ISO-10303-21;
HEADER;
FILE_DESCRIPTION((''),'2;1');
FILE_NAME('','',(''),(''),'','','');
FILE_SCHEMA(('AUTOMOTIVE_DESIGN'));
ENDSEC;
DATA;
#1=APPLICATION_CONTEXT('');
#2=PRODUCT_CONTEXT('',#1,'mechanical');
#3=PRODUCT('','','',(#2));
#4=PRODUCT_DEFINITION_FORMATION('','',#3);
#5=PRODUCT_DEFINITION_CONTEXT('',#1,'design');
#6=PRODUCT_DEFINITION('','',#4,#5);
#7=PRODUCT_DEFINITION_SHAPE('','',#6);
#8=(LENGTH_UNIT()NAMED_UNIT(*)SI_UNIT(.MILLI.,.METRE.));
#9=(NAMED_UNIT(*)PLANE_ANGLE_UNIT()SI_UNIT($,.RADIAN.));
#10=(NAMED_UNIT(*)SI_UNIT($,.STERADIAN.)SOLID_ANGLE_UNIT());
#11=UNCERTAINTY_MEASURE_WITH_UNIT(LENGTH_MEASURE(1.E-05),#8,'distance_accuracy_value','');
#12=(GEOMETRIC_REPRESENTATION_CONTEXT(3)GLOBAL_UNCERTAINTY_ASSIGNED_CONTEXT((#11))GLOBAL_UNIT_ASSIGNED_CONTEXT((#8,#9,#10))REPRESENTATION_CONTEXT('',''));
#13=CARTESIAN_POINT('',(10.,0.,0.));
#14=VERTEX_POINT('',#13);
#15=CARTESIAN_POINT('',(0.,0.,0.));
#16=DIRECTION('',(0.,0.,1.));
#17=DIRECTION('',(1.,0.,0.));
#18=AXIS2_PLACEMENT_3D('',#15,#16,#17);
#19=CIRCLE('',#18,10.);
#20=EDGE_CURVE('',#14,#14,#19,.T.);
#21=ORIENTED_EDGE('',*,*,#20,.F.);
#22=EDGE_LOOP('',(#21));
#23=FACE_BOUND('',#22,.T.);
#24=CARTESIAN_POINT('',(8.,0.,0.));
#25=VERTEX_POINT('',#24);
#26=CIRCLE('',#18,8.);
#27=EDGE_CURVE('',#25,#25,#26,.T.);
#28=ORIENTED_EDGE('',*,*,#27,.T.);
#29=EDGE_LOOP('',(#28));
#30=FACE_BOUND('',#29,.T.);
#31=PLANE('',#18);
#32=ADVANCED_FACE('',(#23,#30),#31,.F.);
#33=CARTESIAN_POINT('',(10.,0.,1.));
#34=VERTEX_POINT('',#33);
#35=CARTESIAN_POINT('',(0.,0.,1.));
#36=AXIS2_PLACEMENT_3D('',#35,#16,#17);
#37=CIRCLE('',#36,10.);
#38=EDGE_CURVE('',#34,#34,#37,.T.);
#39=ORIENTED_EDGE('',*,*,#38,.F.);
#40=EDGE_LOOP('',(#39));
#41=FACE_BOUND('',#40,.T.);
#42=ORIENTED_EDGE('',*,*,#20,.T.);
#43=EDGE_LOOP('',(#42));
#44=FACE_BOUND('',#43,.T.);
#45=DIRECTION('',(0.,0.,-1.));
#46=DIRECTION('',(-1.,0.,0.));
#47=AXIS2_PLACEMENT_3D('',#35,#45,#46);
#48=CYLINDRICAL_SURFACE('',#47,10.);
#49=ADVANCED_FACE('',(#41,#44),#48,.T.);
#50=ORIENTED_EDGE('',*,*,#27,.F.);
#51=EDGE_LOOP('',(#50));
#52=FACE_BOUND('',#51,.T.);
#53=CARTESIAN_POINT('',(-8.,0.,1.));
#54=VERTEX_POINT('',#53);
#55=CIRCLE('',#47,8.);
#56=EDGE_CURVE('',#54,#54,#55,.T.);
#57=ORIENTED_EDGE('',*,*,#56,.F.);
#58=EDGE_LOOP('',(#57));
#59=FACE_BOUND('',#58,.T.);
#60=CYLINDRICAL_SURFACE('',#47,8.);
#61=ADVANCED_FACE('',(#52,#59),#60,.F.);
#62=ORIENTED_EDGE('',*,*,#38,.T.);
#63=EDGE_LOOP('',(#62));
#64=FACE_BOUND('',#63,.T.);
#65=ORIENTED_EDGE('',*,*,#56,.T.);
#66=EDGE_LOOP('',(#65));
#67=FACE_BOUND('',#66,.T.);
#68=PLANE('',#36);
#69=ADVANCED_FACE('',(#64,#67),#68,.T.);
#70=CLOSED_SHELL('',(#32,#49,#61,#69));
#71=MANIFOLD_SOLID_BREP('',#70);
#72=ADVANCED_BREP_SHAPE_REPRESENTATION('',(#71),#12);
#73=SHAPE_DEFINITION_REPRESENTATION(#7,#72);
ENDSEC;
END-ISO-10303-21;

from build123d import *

# Parameters (mm, degrees)
SKETCH1_R               = 10
BOSS_EXTRUDE1_DEPTH     = 1
CUT_EXTRUDE1_DEPTH      = 15.177446879
CUT_EXTRUDE1_DEPTH_BACK = 15.177446879
SKETCH2_R               = 8


with BuildPart() as part:
    # Sketch1 → Boss-Extrude1 (new body)
    with BuildSketch(Plane.XY):
        Circle(SKETCH1_R)
    extrude(amount=BOSS_EXTRUDE1_DEPTH)

    # Sketch2 → Cut-Extrude1 (cut, two sides: drawn at the far end of the back side and taken through both)
    with BuildSketch(Plane(origin=(0, 0, 0), x_dir=(-1, 0, 0), z_dir=(0, 0, -1)).offset(-CUT_EXTRUDE1_DEPTH_BACK)):
        Circle(SKETCH2_R)
    extrude(amount=CUT_EXTRUDE1_DEPTH + CUT_EXTRUDE1_DEPTH_BACK, mode=Mode.SUBTRACT)


solid = part.part
